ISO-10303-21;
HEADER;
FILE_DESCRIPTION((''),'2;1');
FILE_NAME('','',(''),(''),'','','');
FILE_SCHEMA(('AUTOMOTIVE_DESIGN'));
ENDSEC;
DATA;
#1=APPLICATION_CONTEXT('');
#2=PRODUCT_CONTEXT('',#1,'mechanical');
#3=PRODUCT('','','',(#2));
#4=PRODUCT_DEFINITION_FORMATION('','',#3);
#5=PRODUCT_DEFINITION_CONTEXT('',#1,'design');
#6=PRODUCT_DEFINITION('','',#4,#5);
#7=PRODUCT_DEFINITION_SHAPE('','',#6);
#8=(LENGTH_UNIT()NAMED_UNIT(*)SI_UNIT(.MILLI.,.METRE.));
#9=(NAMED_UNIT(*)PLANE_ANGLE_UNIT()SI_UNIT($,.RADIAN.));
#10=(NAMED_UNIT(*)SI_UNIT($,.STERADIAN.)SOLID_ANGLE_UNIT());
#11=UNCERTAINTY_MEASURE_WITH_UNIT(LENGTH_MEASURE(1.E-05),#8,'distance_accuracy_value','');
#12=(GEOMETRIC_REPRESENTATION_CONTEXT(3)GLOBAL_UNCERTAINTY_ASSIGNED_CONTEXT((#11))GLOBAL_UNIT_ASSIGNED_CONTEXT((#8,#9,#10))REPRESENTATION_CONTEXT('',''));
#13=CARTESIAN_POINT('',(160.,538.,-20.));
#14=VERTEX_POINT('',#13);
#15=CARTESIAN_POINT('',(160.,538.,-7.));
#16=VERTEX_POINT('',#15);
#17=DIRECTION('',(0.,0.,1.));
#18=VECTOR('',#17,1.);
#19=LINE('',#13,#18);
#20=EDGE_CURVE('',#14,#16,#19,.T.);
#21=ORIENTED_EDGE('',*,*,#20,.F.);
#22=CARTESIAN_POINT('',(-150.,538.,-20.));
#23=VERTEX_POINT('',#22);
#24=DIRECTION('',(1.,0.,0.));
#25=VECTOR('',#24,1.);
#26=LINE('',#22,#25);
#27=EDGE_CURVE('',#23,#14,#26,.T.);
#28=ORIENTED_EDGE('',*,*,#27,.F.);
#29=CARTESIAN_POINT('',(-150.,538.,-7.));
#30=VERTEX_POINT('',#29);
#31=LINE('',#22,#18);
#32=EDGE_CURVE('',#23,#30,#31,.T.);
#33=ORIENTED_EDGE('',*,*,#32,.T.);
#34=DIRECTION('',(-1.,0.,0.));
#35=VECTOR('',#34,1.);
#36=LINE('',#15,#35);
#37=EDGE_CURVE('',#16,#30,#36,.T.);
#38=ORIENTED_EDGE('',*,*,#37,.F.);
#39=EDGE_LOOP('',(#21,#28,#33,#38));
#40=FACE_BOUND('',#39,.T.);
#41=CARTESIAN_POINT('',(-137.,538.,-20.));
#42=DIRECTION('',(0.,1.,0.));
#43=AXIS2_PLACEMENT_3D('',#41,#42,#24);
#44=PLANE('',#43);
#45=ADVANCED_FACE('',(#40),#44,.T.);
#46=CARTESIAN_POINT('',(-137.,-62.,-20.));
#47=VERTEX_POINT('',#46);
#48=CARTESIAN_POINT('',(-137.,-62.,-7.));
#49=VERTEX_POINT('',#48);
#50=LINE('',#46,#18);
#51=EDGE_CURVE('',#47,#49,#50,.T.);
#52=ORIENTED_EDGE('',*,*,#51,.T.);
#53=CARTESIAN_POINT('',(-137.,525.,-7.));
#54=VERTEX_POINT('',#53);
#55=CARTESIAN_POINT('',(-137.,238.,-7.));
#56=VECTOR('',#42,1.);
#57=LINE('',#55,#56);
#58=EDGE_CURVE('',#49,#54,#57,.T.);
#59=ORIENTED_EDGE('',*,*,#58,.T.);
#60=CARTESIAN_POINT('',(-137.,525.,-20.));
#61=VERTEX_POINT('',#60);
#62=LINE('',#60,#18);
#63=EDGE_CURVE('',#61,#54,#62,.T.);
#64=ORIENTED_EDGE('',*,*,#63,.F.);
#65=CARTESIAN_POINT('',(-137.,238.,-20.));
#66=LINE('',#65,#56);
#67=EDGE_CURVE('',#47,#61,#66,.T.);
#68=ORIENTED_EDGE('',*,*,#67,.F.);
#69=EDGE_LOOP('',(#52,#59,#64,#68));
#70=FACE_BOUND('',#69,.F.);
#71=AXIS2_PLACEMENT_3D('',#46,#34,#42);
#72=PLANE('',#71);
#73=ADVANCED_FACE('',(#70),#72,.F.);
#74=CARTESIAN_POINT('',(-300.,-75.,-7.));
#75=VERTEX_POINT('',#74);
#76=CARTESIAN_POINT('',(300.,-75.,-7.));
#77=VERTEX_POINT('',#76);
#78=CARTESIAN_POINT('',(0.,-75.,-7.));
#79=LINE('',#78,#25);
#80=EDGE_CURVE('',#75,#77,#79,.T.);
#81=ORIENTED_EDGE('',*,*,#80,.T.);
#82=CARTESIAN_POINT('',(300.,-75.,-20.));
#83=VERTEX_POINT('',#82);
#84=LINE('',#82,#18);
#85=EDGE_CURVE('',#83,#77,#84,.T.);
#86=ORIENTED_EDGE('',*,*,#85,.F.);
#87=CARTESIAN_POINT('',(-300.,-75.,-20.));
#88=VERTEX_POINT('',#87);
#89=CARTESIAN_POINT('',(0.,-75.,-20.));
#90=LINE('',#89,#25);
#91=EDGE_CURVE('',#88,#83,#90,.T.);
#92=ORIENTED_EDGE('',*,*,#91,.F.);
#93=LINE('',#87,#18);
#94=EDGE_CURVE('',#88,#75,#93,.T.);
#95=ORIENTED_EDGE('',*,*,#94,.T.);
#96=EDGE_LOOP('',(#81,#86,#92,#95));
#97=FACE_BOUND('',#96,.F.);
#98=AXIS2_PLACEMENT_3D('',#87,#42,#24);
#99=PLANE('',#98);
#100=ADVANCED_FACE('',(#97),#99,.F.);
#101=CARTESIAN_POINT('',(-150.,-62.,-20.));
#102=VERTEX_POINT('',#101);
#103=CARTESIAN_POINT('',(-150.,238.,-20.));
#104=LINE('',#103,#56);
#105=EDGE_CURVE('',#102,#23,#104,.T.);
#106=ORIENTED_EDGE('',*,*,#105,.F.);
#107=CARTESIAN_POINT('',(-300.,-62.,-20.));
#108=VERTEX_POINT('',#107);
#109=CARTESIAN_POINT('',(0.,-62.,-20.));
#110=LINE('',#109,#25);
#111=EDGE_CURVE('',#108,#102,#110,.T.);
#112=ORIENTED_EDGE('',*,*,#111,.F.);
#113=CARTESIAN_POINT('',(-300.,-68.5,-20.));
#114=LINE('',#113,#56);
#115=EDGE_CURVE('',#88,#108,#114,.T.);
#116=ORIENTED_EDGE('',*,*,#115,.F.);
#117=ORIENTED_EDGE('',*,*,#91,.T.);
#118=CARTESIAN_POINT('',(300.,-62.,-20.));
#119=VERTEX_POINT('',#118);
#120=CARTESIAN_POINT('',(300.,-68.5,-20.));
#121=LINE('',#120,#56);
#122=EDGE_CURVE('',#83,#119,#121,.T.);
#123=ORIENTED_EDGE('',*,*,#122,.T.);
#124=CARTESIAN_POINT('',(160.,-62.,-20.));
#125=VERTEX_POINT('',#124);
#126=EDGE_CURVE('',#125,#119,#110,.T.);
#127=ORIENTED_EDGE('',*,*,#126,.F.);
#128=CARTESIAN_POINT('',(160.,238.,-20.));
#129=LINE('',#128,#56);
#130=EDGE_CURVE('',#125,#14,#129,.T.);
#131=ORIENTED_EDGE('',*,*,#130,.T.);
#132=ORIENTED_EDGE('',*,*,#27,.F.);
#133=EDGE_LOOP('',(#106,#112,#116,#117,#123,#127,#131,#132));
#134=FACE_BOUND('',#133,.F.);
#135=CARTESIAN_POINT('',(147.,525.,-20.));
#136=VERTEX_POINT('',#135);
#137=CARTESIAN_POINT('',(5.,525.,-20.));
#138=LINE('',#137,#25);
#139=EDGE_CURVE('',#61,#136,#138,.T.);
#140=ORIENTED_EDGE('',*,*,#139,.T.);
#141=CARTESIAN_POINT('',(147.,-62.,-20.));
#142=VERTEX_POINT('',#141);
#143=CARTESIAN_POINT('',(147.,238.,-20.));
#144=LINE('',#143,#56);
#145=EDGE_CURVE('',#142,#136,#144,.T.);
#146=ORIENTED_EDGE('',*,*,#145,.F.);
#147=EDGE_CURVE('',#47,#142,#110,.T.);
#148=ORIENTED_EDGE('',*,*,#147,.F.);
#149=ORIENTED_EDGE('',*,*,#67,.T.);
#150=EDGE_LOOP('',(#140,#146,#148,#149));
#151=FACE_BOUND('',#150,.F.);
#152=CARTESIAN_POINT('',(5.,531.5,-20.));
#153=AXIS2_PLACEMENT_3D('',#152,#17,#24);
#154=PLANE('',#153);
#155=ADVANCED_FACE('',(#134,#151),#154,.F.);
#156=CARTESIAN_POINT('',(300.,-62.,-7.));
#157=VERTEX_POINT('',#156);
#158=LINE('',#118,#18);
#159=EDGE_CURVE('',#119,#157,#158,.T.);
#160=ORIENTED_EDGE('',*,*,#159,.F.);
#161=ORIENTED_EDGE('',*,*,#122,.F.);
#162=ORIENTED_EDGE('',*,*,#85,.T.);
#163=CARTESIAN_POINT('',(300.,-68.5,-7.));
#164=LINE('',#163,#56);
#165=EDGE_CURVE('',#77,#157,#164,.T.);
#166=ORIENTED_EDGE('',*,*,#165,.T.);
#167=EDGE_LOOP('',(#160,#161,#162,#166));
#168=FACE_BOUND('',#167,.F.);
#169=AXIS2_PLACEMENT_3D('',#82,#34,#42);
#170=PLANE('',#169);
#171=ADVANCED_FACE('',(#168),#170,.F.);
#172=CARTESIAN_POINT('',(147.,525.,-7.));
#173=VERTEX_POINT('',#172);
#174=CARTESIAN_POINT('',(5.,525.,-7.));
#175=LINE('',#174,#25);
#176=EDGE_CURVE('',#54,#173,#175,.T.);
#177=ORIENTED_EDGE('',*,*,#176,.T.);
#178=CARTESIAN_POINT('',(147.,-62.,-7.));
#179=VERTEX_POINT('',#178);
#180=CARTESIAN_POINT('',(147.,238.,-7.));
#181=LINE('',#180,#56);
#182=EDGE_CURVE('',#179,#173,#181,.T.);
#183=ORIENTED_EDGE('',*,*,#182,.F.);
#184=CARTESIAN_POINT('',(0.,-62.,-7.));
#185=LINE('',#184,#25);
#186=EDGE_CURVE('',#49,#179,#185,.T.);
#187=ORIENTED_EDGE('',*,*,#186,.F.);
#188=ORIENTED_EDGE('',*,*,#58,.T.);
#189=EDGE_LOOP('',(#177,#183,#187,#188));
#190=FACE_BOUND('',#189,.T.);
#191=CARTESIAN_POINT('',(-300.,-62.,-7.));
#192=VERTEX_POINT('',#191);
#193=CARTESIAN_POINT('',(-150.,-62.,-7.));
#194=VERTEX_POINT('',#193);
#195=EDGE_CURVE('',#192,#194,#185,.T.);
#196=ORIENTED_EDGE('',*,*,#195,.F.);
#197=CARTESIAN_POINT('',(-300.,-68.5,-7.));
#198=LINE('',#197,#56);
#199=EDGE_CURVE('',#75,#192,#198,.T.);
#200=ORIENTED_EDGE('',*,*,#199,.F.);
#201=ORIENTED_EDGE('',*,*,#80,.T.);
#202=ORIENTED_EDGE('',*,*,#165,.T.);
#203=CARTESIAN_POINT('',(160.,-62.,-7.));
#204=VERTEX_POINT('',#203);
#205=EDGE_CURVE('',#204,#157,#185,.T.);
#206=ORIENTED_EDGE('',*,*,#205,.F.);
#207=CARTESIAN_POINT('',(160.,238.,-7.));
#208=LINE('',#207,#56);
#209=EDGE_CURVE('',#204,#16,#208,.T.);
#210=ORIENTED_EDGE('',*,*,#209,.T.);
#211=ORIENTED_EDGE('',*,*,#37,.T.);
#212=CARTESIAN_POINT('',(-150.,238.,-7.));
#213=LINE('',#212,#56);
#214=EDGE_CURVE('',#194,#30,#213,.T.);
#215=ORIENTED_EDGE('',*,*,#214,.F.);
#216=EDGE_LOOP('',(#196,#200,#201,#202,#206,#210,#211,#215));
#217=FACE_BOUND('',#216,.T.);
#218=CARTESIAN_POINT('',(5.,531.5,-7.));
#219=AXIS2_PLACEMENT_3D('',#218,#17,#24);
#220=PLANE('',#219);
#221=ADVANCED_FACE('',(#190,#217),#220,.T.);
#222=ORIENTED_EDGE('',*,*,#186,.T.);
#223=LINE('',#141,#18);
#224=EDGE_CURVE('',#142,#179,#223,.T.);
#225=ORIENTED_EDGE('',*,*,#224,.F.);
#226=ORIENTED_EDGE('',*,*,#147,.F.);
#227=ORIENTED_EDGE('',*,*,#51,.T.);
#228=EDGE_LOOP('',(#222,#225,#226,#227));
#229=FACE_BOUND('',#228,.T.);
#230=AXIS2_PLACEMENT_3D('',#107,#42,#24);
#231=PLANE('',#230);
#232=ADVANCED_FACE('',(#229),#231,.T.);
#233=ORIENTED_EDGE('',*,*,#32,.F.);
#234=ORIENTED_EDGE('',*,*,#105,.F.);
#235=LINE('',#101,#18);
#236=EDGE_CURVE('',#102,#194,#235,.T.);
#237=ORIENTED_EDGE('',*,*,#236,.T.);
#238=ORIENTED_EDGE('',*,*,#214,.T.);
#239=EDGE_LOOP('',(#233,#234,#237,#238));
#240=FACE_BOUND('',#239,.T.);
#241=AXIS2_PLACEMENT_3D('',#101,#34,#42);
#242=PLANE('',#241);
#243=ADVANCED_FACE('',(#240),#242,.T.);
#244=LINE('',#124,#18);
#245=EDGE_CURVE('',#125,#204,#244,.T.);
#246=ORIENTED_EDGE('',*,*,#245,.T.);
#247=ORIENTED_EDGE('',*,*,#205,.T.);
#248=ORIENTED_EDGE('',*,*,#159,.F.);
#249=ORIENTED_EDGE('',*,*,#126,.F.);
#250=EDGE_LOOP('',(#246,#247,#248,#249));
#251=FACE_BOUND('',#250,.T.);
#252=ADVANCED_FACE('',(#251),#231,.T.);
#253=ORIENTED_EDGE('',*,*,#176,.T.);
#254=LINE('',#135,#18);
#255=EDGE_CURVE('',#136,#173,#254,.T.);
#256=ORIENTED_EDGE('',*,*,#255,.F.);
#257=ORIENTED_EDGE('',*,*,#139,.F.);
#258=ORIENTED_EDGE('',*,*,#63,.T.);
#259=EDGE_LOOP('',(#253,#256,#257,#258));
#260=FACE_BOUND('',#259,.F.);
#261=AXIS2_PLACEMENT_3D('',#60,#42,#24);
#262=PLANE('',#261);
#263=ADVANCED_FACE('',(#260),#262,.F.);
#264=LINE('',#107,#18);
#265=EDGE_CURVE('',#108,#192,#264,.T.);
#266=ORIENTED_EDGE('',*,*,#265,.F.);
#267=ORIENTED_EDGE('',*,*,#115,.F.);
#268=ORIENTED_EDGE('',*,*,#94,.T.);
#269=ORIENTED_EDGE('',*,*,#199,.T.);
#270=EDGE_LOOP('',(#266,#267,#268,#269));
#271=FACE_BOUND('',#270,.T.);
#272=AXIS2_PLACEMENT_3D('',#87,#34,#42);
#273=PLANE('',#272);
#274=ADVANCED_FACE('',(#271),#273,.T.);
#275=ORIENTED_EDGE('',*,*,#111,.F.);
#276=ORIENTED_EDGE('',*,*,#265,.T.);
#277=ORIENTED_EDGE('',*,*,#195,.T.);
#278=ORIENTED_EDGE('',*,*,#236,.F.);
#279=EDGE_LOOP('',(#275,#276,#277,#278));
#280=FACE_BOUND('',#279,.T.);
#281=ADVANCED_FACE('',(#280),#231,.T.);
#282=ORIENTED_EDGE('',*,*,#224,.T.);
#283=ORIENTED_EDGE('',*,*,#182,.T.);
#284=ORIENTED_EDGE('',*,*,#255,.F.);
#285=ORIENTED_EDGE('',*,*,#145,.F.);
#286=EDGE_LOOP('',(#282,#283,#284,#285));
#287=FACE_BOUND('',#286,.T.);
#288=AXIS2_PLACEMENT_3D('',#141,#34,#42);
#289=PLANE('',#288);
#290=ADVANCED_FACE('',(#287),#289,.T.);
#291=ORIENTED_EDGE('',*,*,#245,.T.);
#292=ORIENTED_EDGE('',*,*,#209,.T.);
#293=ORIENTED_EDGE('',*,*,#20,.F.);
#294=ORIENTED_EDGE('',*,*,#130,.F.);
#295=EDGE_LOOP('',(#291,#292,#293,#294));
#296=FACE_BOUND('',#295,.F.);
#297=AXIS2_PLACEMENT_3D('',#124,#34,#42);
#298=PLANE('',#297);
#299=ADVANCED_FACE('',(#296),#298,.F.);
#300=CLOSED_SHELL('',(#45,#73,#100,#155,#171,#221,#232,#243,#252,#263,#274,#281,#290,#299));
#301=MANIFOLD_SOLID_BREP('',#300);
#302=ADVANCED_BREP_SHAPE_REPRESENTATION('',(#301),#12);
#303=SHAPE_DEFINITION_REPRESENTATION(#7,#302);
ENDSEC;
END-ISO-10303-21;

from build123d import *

# Parameters (mm, degrees)
BOX034_W     = 284
BOX034_H     = 13
BOX034_DEPTH = 13
BOX011_W     = 13
BOX011_H     = 600
BOX011_DEPTH = 13
BOX007_W     = 600
BOX007_H     = 13
BOX007_DEPTH = 13
BOX010_W     = 13
BOX010_H     = 600
BOX010_DEPTH = 13


with BuildPart() as cube031:
    # Box034 → Box034 (new body)
    with BuildSketch(Plane(origin=(-137, 525, -20), x_dir=(1, 0, 0), z_dir=(0, 0, 1))):
        with Locations((142, 6.5)):
            Rectangle(BOX034_W, BOX034_H)
    extrude(amount=BOX034_DEPTH)


with BuildPart() as cube008:
    # Box011 → Box011 (new body)
    with BuildSketch(Plane(origin=(-150, -62, -20), x_dir=(1, 0, 0), z_dir=(0, 0, 1))):
        with Locations((6.5, 300)):
            Rectangle(BOX011_W, BOX011_H)
    extrude(amount=BOX011_DEPTH)


with BuildPart() as frame_front:
    # Box007 → Box007 (new body)
    with BuildSketch(Plane(origin=(-300, -75, -20), x_dir=(1, 0, 0), z_dir=(0, 0, 1))):
        with Locations((300, 6.5)):
            Rectangle(BOX007_W, BOX007_H)
    extrude(amount=BOX007_DEPTH)


with BuildPart() as frame_full:
    # Box010 → Box010 (new body)
    with BuildSketch(Plane(origin=(147, -62, -20), x_dir=(1, 0, 0), z_dir=(0, 0, 1))):
        with Locations((6.5, 300)):
            Rectangle(BOX010_W, BOX010_H)
    extrude(amount=BOX010_DEPTH)

    # Connect014: union Cube008, Frame_Front
    add(cube008.part)
    add(frame_front.part)

    # Connect015: union Cube031
    add(cube031.part)


solid = frame_full.part
